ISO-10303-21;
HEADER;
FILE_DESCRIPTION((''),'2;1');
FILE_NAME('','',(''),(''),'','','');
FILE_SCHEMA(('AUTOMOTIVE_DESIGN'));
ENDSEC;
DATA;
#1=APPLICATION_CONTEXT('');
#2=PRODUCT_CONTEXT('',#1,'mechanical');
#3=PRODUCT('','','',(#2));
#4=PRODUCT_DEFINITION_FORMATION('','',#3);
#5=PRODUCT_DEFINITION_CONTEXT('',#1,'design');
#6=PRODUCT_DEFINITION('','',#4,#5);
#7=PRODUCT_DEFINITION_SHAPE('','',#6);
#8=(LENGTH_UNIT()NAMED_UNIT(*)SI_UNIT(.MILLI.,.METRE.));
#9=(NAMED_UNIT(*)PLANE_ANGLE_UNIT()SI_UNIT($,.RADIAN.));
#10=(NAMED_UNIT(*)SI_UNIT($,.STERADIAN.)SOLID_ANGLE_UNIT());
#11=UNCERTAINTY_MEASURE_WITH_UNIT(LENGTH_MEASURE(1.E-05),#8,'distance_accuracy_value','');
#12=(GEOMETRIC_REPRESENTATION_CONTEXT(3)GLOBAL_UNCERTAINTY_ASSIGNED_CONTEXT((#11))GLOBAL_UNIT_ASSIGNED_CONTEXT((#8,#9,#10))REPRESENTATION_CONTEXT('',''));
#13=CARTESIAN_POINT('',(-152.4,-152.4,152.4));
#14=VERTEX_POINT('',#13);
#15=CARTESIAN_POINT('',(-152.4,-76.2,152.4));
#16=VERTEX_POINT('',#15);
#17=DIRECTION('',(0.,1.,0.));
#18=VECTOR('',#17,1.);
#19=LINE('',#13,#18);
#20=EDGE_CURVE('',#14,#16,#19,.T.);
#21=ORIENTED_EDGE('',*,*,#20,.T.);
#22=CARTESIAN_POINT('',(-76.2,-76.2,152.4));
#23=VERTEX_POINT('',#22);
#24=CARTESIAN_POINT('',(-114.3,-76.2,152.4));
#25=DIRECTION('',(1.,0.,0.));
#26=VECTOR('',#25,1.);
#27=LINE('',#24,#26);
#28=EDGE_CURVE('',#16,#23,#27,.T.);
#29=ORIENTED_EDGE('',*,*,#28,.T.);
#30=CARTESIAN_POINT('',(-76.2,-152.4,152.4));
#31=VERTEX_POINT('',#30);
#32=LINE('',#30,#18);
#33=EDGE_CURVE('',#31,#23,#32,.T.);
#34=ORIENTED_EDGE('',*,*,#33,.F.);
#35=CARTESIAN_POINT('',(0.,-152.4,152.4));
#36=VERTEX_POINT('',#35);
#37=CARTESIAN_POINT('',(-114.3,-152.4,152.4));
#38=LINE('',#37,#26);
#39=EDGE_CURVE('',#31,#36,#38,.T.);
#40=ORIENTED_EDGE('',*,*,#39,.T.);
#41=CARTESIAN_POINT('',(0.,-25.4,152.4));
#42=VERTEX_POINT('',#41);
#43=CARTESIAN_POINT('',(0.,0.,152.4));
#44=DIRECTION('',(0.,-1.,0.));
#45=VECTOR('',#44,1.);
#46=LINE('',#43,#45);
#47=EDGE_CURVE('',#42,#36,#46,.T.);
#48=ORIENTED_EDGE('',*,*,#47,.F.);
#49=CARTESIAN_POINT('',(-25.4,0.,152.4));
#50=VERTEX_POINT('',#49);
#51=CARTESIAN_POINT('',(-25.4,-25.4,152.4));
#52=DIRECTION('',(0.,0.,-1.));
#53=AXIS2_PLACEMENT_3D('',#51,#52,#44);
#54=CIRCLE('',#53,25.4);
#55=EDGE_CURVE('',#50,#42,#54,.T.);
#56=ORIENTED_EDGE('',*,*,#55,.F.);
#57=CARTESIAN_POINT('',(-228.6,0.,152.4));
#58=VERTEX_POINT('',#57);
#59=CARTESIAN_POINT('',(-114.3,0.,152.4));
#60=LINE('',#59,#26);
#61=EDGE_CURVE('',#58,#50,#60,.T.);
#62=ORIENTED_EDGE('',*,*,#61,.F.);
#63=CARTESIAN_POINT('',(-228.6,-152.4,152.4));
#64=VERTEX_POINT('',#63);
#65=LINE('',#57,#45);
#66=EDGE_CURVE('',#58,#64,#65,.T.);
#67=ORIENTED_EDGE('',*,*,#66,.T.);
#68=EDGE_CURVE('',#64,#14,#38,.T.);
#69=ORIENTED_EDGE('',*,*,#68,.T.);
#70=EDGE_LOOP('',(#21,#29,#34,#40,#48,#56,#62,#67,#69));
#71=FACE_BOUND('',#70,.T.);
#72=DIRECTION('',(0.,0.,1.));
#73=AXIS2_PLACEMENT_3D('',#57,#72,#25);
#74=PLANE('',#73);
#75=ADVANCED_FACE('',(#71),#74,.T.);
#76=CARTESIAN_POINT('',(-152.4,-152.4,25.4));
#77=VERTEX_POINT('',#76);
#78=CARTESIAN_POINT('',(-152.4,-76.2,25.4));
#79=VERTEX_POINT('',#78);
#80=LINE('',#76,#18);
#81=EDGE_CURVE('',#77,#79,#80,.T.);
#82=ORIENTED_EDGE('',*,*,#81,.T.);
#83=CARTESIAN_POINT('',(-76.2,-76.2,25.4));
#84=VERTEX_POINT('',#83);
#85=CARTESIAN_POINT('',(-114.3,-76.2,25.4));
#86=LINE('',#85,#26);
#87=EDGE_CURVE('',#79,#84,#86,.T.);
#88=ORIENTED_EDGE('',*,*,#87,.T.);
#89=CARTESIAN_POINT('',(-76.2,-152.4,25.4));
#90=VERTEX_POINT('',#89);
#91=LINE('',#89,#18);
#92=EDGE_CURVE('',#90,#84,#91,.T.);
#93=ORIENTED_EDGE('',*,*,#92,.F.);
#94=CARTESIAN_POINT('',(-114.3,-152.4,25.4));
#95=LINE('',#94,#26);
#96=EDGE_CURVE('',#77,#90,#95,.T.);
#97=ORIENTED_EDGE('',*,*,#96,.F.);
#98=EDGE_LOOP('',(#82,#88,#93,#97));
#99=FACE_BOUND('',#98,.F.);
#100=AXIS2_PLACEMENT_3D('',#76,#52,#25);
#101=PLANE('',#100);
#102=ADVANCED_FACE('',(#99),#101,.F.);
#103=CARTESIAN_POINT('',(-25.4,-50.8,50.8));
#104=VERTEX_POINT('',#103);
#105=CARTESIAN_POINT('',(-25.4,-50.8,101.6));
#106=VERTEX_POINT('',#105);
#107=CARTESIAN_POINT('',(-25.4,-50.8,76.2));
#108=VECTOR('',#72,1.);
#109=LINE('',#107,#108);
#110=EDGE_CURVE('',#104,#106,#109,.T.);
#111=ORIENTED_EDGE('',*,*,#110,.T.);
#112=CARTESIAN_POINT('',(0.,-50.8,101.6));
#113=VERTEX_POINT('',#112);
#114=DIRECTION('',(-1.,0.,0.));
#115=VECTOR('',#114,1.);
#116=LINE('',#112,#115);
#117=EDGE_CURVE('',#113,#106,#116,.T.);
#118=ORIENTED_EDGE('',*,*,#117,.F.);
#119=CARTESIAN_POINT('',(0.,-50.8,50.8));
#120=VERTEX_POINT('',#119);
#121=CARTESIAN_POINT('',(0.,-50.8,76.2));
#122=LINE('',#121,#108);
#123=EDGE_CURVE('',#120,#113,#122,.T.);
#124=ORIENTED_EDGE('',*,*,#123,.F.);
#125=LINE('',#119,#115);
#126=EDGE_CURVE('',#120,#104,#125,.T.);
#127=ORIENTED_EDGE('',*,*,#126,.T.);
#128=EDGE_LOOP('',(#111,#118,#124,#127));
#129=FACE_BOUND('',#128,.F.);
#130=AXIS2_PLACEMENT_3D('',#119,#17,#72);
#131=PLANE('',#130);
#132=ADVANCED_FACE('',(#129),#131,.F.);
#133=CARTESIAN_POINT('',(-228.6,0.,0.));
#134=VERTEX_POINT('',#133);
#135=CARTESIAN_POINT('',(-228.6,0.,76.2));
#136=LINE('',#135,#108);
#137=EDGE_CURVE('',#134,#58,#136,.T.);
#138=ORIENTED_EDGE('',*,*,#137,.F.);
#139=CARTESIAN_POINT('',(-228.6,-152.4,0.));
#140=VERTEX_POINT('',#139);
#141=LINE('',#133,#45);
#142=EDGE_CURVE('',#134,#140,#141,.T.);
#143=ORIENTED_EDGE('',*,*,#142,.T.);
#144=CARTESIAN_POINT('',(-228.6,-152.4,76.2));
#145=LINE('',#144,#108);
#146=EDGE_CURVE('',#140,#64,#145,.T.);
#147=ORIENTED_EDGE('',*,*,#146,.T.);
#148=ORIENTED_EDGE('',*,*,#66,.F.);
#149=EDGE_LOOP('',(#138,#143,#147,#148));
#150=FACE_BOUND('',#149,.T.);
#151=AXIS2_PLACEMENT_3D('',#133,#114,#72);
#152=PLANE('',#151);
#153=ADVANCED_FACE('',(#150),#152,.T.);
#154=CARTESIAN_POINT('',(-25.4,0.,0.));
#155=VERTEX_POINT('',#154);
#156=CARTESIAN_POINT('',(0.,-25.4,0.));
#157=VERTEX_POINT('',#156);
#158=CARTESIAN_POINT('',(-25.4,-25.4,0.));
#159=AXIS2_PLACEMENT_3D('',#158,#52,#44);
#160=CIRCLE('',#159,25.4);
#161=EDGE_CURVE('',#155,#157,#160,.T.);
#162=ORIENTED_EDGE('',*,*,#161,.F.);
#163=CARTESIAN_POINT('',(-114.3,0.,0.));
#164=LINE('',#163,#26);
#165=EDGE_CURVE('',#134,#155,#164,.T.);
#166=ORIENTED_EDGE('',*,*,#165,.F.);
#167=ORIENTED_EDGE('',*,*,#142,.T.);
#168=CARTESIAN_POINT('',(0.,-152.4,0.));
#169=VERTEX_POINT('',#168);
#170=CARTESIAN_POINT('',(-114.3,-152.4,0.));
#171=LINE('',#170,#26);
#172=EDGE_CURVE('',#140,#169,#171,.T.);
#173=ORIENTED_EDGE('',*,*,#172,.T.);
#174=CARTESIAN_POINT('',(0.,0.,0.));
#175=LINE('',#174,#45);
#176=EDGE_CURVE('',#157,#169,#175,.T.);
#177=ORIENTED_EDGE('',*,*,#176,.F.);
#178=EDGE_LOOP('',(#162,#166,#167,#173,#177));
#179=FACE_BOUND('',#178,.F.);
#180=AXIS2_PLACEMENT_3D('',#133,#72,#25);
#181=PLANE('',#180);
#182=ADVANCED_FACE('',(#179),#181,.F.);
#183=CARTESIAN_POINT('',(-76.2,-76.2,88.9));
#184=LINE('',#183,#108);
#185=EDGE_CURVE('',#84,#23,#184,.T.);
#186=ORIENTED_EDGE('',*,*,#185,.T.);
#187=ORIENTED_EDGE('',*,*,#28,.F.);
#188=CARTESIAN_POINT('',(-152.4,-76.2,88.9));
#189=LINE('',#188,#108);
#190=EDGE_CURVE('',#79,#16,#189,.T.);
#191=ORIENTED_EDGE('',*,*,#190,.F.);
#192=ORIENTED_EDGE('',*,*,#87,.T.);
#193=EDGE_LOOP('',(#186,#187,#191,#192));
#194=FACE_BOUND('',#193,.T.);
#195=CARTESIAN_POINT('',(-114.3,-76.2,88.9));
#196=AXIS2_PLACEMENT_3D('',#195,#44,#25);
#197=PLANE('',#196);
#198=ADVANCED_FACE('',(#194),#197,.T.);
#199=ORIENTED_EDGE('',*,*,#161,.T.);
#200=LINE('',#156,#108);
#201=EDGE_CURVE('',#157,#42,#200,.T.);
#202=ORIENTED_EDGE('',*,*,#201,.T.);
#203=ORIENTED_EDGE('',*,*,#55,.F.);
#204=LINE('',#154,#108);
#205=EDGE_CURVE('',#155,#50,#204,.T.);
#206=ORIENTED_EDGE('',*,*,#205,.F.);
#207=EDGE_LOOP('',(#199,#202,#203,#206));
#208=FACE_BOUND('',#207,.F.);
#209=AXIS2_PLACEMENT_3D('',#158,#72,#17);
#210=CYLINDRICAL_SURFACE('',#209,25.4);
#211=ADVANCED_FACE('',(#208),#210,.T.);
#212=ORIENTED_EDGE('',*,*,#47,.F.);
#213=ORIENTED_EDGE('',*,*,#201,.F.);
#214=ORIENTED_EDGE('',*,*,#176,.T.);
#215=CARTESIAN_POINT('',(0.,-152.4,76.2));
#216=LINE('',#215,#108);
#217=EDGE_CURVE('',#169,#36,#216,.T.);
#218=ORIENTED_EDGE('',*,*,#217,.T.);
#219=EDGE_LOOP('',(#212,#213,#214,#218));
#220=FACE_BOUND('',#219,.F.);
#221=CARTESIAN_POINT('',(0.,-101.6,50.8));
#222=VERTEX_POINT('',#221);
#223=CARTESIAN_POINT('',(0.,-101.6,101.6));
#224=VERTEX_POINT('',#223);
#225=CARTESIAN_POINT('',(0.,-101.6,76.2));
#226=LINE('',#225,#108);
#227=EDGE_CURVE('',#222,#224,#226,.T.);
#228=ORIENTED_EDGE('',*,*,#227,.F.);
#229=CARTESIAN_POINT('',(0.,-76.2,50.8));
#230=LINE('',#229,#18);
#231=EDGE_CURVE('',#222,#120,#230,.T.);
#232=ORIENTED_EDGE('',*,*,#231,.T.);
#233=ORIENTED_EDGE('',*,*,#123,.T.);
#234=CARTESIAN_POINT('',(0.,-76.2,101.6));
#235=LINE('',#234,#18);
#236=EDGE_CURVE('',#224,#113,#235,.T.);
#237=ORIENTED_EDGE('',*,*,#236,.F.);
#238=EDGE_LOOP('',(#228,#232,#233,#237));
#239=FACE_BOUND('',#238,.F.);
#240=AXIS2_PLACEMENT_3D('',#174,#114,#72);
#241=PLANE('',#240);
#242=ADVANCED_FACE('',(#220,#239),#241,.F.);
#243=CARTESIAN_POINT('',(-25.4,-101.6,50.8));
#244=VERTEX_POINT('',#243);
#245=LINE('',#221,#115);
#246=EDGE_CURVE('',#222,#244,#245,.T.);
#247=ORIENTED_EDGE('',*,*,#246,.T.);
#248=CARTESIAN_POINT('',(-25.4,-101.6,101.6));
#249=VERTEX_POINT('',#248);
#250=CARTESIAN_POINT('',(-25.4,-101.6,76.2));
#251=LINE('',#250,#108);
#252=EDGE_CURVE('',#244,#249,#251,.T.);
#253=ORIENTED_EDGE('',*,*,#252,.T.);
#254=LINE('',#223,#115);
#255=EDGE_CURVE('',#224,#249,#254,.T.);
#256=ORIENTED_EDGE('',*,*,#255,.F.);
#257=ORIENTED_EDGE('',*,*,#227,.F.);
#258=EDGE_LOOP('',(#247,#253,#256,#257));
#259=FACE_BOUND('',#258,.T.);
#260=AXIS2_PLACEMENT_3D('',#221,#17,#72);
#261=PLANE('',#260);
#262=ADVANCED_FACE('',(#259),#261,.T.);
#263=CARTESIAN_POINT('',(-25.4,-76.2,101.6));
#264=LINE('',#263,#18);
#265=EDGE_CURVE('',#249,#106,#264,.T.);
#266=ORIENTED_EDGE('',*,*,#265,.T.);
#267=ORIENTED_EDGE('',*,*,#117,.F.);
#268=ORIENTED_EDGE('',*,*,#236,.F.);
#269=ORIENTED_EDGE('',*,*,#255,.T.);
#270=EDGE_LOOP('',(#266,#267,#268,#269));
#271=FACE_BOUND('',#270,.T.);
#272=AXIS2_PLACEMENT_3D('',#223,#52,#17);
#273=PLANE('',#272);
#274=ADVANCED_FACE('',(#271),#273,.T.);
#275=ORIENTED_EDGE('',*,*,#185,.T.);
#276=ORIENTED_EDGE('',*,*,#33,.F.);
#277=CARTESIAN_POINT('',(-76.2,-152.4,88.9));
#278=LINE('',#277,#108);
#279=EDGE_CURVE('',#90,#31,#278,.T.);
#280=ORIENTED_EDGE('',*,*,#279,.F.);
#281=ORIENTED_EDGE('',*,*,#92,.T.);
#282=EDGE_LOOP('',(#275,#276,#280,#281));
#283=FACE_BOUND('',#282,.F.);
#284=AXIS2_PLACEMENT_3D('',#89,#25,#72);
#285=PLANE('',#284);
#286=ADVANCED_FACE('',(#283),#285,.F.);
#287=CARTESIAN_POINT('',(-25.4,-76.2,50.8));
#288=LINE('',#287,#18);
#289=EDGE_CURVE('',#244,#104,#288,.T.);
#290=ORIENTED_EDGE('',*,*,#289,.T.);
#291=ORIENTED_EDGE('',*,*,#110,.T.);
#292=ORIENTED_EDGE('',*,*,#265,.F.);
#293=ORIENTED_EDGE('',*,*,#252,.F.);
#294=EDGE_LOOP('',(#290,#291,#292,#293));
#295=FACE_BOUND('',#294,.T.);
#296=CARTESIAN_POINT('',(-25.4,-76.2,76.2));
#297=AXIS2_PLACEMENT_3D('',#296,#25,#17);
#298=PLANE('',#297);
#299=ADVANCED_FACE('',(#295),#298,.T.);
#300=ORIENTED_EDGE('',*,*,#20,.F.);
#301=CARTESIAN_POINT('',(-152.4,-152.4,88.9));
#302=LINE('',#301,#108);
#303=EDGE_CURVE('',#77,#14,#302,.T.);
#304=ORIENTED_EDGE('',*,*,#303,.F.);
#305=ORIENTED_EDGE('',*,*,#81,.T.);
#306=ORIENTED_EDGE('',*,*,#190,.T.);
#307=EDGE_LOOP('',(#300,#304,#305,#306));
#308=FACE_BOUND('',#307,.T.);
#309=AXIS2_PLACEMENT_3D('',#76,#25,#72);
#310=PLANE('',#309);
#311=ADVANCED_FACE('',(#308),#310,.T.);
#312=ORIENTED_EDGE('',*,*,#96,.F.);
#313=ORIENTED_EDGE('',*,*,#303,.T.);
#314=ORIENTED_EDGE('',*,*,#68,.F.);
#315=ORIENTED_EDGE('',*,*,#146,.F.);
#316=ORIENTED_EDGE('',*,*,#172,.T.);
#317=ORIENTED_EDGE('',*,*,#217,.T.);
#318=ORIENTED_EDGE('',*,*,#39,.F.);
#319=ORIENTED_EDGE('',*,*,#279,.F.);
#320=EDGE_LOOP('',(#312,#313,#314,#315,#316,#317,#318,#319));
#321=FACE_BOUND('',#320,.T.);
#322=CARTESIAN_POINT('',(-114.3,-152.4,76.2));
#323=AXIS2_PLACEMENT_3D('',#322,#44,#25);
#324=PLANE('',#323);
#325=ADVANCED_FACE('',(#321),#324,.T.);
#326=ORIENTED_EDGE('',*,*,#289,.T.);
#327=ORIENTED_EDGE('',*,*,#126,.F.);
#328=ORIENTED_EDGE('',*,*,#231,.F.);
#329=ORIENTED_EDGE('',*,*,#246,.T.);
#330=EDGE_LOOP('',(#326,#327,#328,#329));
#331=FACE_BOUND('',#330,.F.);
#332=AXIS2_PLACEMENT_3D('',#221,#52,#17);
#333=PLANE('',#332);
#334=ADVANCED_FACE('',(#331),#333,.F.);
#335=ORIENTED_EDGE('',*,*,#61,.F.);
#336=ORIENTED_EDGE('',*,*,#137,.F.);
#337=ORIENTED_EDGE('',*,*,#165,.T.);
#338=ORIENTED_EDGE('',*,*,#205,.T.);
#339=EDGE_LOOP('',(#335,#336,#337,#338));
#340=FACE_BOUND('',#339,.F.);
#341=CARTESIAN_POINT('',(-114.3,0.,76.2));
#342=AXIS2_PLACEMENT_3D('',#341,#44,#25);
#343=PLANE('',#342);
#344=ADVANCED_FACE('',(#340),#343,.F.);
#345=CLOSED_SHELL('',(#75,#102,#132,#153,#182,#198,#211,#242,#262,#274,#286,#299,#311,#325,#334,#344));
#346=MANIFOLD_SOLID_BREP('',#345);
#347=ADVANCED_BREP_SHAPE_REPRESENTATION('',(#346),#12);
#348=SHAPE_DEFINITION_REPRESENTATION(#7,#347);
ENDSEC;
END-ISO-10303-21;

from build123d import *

# Parameters (mm, degrees)
F0_W     = 228.6
F0_H     = 152.4
F1_DEPTH = 152.4
F2_W     = 76.2
F2_H     = 127
F3_DEPTH = 76.2
F4_W     = 50.8
F4_H     = 50.8
F5_DEPTH = 25.4
F6_R     = 25.4


with BuildPart() as f1:
    # F0 (on Front) → F1 (new body)
    with BuildSketch(Plane.XZ):
        with Locations((-114.3, 76.2)):
            Rectangle(F0_W, F0_H)
    extrude(amount=F1_DEPTH)

    # F2 (on face) → F3 (cut)
    with BuildSketch(Plane.XZ.offset(152.4)):
        with Locations((-114.3, 88.9)):
            Rectangle(F2_W, F2_H)
    extrude(amount=-F3_DEPTH, mode=Mode.SUBTRACT)

    # F4 (on face) → F5 (cut)
    with BuildSketch(Plane.YZ):
        with Locations((-76.2, 76.2)):
            Rectangle(F4_W, F4_H)
    extrude(amount=-F5_DEPTH, mode=Mode.SUBTRACT)

    # F6
    f6_edges = [f1.edges().sort_by_distance(p)[0] for p in [
        (0, 0, 76.2),
    ]]
    fillet(f6_edges, radius=F6_R)


solid = f1.part
